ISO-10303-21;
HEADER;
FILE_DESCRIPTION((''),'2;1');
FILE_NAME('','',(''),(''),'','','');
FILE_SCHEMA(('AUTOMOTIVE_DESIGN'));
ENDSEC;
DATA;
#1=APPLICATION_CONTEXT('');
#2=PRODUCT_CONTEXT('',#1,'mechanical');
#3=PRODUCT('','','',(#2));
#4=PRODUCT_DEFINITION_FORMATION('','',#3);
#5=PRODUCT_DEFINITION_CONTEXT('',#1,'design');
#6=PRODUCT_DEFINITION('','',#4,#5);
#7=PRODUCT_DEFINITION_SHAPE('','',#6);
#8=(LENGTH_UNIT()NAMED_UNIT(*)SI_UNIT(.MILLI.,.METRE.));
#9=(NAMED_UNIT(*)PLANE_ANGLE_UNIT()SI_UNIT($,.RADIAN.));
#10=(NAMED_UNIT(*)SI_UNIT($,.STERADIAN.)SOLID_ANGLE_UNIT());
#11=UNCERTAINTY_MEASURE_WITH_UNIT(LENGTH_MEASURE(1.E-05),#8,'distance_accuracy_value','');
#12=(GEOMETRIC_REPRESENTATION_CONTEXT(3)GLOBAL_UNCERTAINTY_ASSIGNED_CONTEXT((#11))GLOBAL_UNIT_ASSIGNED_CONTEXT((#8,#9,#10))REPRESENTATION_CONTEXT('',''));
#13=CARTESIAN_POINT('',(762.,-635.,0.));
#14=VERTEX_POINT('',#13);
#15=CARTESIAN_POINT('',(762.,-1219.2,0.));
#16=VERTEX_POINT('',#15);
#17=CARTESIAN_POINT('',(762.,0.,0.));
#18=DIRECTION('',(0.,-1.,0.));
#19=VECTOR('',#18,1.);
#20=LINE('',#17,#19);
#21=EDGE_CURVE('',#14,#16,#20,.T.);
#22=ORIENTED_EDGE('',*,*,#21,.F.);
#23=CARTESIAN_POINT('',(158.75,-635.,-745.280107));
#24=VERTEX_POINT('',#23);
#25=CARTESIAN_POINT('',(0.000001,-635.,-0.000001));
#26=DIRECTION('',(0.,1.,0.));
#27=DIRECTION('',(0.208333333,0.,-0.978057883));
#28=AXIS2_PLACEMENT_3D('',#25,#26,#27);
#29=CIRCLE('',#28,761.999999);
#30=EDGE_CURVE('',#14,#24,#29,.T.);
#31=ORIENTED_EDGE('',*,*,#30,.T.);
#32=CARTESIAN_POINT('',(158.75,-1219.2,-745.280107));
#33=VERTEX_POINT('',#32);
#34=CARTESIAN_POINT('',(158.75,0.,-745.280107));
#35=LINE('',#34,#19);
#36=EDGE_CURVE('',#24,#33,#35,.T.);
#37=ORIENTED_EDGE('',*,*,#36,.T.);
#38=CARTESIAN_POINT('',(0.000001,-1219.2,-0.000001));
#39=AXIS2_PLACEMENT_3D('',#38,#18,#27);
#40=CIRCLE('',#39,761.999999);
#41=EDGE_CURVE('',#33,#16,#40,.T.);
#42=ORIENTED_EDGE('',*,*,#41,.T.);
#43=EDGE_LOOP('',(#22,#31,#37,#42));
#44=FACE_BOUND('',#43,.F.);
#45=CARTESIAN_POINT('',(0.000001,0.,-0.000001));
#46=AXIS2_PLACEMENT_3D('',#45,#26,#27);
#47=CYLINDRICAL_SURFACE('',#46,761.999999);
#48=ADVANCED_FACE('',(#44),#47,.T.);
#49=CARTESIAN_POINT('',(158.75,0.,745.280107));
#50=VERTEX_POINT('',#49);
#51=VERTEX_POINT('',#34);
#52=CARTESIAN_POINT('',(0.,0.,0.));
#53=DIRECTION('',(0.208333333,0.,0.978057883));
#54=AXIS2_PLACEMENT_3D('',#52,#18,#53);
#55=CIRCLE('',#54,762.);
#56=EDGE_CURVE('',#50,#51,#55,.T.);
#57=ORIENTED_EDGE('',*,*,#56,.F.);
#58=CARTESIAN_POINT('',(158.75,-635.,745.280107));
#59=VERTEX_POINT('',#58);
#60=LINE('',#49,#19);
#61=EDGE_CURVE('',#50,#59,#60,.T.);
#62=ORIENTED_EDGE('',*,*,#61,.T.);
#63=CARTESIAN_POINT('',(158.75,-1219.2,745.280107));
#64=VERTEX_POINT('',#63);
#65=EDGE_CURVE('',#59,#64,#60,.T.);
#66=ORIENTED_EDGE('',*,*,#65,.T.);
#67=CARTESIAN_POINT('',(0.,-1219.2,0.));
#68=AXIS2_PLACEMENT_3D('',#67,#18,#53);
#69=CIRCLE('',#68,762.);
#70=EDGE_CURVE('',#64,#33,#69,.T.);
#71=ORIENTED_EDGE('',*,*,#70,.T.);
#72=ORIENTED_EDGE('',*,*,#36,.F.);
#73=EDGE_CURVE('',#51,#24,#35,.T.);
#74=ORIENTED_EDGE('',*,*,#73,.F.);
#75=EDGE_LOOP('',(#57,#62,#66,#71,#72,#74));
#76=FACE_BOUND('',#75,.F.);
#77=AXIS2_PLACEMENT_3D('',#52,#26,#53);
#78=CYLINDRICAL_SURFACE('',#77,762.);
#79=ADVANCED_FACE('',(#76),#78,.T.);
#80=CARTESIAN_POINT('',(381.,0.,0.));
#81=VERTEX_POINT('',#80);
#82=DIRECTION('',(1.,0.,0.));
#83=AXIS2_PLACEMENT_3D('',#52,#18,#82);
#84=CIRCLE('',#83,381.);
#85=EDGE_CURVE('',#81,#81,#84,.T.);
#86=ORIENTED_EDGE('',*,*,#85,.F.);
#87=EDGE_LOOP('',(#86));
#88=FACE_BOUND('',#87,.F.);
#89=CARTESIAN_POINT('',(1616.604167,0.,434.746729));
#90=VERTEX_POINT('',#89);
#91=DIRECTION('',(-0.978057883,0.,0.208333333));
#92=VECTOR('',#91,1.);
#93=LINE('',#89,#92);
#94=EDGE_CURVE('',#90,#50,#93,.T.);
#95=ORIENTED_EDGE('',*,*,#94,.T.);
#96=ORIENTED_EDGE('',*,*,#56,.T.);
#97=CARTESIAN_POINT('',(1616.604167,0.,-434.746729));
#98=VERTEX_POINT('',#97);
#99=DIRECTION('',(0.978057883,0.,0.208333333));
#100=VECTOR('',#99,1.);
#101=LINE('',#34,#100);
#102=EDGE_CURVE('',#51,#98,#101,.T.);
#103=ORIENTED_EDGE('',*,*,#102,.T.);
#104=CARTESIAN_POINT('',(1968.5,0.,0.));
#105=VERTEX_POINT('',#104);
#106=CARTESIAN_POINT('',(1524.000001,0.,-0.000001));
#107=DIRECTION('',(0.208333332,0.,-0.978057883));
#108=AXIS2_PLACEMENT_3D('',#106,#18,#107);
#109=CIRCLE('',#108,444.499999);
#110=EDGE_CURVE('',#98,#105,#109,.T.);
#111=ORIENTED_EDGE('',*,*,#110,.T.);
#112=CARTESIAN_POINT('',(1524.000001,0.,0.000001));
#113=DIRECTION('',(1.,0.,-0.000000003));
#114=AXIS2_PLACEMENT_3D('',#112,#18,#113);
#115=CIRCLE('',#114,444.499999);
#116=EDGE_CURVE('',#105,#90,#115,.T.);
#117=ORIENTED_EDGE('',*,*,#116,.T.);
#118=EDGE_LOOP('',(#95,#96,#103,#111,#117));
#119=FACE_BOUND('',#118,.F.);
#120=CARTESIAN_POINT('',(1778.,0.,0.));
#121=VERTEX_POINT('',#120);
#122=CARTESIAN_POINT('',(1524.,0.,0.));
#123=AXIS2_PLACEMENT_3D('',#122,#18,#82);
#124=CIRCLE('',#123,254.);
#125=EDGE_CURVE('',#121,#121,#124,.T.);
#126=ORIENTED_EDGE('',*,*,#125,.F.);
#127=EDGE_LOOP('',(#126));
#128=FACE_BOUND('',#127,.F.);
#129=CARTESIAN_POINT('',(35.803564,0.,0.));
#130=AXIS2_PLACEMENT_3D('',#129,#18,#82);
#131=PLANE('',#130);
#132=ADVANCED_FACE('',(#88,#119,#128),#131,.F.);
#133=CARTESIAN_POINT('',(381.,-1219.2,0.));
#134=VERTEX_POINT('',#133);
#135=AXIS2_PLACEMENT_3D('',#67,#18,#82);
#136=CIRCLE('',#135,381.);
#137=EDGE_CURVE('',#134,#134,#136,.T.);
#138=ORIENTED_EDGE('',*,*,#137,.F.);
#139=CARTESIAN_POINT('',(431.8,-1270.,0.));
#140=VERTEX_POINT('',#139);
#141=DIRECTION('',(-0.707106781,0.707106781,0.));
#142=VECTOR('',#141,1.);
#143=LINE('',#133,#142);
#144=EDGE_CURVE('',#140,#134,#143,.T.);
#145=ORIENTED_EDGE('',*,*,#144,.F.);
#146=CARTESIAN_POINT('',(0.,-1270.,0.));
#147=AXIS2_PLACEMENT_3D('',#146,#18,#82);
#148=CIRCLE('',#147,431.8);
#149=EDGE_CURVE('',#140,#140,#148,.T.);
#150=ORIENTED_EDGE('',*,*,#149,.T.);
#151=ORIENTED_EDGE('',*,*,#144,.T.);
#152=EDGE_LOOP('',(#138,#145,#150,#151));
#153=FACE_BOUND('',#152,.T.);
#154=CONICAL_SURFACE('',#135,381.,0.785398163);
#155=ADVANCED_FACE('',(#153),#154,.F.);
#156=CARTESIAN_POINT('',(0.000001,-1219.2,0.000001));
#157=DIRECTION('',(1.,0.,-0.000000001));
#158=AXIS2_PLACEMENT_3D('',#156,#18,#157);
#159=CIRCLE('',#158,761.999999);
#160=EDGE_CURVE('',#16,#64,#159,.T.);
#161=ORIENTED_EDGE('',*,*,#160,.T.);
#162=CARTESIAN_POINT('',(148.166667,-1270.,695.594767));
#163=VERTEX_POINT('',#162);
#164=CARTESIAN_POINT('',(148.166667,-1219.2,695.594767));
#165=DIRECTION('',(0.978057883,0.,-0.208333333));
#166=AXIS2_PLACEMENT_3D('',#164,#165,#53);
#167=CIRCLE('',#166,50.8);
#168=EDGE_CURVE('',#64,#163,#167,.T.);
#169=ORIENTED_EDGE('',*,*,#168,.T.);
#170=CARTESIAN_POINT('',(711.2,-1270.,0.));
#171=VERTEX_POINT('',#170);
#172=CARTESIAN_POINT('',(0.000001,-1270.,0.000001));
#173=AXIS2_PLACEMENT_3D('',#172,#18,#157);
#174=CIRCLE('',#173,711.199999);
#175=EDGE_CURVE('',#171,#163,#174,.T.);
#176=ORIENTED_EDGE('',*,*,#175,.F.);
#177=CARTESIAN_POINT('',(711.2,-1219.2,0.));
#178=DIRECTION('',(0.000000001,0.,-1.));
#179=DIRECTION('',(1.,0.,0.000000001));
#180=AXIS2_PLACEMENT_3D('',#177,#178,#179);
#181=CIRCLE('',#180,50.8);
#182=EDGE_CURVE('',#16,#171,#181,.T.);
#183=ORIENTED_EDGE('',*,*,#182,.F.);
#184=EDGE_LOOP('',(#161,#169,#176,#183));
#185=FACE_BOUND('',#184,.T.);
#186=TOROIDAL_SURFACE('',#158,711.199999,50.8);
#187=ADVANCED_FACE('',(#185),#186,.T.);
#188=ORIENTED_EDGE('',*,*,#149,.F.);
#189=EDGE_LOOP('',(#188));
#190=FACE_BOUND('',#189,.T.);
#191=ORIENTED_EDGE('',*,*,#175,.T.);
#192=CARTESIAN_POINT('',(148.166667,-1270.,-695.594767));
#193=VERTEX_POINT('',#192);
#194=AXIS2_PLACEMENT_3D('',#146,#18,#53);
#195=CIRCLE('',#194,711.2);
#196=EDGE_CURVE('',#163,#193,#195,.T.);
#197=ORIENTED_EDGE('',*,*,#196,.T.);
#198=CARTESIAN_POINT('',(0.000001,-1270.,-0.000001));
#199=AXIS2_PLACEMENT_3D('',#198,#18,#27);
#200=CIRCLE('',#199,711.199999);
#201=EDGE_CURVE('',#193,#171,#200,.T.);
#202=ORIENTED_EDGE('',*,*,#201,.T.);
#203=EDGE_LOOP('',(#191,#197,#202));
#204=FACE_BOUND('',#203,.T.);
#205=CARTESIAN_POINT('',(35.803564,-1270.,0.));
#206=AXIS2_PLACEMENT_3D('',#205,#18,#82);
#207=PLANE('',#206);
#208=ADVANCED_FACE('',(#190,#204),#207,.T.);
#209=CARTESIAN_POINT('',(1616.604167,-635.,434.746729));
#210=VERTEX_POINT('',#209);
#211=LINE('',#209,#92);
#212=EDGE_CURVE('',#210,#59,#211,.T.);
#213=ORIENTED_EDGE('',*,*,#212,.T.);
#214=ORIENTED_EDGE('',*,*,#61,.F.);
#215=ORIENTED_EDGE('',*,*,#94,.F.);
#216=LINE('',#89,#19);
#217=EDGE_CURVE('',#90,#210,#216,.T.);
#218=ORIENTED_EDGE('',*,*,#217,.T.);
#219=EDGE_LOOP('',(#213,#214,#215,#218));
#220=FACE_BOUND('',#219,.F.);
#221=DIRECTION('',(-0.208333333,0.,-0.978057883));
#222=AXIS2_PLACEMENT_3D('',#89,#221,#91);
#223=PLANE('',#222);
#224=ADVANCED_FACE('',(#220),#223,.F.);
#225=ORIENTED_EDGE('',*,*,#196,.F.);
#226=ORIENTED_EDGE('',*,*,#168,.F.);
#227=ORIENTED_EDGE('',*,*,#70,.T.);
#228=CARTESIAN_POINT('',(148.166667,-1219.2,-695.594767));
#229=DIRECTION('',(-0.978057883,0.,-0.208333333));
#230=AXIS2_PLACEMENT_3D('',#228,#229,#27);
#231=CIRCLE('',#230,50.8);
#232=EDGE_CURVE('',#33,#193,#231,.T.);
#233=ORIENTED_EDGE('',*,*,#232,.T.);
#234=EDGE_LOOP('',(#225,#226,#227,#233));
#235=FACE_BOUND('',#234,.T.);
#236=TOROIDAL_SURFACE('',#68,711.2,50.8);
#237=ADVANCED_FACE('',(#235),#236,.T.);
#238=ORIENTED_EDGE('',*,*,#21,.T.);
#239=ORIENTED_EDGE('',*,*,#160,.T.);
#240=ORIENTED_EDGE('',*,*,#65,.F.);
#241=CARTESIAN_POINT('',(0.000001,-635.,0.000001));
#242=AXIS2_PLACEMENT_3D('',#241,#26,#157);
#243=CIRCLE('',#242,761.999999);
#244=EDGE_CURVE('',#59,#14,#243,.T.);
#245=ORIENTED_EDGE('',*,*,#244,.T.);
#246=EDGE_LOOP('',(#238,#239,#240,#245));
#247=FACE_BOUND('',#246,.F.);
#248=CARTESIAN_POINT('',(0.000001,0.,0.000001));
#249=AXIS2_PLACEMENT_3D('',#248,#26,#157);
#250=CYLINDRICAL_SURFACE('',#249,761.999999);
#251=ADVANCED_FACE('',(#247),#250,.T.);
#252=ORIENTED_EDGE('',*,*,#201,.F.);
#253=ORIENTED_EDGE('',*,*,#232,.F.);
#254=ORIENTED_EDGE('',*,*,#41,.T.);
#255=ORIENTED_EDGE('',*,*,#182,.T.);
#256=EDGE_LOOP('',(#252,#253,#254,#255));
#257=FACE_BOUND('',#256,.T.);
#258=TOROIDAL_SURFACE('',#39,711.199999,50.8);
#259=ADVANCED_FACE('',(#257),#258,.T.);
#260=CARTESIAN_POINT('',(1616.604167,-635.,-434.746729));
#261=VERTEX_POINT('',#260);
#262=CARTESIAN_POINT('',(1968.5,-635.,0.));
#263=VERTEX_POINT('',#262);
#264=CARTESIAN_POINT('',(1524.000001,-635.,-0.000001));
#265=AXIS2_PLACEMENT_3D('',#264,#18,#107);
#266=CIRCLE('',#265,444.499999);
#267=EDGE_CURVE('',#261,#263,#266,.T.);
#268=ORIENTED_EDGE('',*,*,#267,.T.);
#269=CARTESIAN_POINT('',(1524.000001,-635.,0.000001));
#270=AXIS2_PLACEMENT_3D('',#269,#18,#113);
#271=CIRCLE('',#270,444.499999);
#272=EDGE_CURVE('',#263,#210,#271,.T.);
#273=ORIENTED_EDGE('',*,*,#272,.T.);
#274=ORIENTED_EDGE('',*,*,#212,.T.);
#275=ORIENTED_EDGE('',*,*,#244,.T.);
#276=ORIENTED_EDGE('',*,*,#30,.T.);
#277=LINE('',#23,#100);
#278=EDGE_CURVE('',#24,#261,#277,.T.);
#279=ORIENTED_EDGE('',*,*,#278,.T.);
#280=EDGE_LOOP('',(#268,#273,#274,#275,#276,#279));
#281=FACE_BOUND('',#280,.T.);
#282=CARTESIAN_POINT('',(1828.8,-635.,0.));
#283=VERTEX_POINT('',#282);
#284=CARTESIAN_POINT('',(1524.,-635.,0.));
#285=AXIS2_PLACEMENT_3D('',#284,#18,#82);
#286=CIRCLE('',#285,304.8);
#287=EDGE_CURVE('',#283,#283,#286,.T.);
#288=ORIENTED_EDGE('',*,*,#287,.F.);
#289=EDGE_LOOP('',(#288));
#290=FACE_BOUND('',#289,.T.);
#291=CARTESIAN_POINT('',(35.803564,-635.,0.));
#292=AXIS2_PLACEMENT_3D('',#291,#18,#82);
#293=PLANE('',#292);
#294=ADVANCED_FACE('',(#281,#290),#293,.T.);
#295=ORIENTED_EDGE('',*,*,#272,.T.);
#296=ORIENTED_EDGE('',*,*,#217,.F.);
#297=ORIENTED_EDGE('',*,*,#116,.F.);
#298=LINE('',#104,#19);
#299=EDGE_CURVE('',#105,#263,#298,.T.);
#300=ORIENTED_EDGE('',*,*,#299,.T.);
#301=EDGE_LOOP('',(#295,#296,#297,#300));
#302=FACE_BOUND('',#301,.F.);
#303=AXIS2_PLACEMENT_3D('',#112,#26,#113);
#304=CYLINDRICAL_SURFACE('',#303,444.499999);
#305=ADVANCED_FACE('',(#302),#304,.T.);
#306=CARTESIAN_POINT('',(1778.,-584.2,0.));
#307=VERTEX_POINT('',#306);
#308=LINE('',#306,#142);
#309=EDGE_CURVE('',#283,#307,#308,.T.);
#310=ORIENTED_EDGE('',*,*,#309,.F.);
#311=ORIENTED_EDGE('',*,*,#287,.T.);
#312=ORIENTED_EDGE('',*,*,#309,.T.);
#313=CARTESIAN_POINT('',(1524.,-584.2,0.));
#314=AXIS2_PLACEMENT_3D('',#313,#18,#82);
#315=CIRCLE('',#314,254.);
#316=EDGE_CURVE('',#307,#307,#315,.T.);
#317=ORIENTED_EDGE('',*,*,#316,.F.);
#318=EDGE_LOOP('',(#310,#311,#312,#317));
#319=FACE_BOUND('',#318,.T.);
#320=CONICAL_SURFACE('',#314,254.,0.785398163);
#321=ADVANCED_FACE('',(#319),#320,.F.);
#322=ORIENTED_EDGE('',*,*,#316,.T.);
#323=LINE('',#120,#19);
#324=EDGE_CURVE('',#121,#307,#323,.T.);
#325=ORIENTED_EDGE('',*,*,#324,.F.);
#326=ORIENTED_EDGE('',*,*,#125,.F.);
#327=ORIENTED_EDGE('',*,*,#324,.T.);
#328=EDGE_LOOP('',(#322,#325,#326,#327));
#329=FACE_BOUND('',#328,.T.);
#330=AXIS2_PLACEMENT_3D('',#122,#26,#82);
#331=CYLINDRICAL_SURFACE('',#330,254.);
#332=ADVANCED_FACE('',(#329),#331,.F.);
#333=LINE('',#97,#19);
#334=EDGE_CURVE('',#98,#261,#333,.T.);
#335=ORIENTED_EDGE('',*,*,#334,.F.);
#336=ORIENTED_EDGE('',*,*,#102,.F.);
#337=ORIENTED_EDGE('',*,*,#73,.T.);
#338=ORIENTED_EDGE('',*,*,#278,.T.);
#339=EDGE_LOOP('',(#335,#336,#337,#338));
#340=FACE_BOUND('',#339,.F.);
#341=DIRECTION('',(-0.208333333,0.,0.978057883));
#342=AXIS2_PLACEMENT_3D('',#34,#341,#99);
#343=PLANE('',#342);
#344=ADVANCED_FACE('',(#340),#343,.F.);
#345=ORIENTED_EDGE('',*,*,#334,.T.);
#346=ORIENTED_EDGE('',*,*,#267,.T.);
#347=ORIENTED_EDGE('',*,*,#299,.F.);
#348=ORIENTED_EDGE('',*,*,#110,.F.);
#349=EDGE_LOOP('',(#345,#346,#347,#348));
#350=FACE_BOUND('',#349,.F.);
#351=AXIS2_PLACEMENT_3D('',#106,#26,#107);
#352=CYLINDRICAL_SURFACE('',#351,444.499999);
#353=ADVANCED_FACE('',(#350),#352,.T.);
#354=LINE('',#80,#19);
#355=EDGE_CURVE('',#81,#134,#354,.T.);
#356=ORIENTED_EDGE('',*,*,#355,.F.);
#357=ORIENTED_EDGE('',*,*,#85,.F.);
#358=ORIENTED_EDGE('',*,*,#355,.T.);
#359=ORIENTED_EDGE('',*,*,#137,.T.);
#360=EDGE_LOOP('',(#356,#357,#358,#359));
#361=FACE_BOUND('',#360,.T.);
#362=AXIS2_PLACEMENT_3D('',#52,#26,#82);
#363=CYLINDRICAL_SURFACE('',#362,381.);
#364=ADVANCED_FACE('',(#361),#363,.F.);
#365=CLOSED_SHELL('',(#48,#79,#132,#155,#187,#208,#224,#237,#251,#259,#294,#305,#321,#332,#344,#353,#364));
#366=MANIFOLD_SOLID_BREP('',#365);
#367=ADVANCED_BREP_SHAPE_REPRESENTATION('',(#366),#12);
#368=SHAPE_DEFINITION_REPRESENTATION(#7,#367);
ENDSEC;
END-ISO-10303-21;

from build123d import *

# Parameters (mm, degrees)
F0_R     = 381
F0_R_2   = 254
F1_DEPTH = 635
F2_DEPTH = 1270
F3_R     = 50.8
F4_SIZE  = 50.8


with BuildPart() as f1:
    # F0 (on Front) → F1 (new body)
    with BuildSketch(Plane.XZ):
        with BuildLine():
            ThreePointArc((158.75, -745.280107), (592.28857, -479.414487), (762, 0))
            ThreePointArc((762, 0), (592.28857, 479.414487), (158.75, 745.280107))
            ThreePointArc((158.75, 745.280107), (-762, 0), (158.75, -745.280107))
        make_face()
        Circle(F0_R, mode=Mode.SUBTRACT)
        with BuildLine():
            ThreePointArc((158.75, 745.280107), (592.28857, 479.414487), (762, 0))
            ThreePointArc((762, 0), (592.28857, -479.414487), (158.75, -745.280107))
            Line((158.75, -745.280107), (1616.604167, -434.746729))
            ThreePointArc((1616.604167, -434.746729), (1079.5, 0), (1616.604167, 434.746729))
            Line((1616.604167, 434.746729), (158.75, 745.280107))
        make_face()
        with BuildLine():
            ThreePointArc((1968.5, 0), (1869.501666, 279.658451), (1616.604167, 434.746729))
            ThreePointArc((1616.604167, 434.746729), (1079.5, 0), (1616.604167, -434.746729))
            ThreePointArc((1616.604167, -434.746729), (1869.501666, -279.658451), (1968.5, 0))
        make_face()
        with Locations((1524, 0)):
            Circle(F0_R_2, mode=Mode.SUBTRACT)
    extrude(amount=F1_DEPTH)

    # F0 (on Front) → F2 (join)
    with BuildSketch(Plane.XZ):
        with BuildLine():
            ThreePointArc((158.75, -745.280107), (592.28857, -479.414487), (762, 0))
            ThreePointArc((762, 0), (592.28857, 479.414487), (158.75, 745.280107))
            ThreePointArc((158.75, 745.280107), (-762, 0), (158.75, -745.280107))
        make_face()
        Circle(F0_R, mode=Mode.SUBTRACT)
    extrude(amount=F2_DEPTH)

    # F3
    f3_edges = [f1.edges().sort_by_distance(p)[0] for p in [
        (-158.75, -1270, 745.280107),
    ]]
    fillet(f3_edges, radius=F3_R)

    # F4
    f4_edges = [f1.edges().sort_by_distance(p)[0] for p in [
        (-381, -1270, 0),
        (1270, -635, 0),
    ]]
    chamfer(f4_edges, length=F4_SIZE)


solid = f1.part
